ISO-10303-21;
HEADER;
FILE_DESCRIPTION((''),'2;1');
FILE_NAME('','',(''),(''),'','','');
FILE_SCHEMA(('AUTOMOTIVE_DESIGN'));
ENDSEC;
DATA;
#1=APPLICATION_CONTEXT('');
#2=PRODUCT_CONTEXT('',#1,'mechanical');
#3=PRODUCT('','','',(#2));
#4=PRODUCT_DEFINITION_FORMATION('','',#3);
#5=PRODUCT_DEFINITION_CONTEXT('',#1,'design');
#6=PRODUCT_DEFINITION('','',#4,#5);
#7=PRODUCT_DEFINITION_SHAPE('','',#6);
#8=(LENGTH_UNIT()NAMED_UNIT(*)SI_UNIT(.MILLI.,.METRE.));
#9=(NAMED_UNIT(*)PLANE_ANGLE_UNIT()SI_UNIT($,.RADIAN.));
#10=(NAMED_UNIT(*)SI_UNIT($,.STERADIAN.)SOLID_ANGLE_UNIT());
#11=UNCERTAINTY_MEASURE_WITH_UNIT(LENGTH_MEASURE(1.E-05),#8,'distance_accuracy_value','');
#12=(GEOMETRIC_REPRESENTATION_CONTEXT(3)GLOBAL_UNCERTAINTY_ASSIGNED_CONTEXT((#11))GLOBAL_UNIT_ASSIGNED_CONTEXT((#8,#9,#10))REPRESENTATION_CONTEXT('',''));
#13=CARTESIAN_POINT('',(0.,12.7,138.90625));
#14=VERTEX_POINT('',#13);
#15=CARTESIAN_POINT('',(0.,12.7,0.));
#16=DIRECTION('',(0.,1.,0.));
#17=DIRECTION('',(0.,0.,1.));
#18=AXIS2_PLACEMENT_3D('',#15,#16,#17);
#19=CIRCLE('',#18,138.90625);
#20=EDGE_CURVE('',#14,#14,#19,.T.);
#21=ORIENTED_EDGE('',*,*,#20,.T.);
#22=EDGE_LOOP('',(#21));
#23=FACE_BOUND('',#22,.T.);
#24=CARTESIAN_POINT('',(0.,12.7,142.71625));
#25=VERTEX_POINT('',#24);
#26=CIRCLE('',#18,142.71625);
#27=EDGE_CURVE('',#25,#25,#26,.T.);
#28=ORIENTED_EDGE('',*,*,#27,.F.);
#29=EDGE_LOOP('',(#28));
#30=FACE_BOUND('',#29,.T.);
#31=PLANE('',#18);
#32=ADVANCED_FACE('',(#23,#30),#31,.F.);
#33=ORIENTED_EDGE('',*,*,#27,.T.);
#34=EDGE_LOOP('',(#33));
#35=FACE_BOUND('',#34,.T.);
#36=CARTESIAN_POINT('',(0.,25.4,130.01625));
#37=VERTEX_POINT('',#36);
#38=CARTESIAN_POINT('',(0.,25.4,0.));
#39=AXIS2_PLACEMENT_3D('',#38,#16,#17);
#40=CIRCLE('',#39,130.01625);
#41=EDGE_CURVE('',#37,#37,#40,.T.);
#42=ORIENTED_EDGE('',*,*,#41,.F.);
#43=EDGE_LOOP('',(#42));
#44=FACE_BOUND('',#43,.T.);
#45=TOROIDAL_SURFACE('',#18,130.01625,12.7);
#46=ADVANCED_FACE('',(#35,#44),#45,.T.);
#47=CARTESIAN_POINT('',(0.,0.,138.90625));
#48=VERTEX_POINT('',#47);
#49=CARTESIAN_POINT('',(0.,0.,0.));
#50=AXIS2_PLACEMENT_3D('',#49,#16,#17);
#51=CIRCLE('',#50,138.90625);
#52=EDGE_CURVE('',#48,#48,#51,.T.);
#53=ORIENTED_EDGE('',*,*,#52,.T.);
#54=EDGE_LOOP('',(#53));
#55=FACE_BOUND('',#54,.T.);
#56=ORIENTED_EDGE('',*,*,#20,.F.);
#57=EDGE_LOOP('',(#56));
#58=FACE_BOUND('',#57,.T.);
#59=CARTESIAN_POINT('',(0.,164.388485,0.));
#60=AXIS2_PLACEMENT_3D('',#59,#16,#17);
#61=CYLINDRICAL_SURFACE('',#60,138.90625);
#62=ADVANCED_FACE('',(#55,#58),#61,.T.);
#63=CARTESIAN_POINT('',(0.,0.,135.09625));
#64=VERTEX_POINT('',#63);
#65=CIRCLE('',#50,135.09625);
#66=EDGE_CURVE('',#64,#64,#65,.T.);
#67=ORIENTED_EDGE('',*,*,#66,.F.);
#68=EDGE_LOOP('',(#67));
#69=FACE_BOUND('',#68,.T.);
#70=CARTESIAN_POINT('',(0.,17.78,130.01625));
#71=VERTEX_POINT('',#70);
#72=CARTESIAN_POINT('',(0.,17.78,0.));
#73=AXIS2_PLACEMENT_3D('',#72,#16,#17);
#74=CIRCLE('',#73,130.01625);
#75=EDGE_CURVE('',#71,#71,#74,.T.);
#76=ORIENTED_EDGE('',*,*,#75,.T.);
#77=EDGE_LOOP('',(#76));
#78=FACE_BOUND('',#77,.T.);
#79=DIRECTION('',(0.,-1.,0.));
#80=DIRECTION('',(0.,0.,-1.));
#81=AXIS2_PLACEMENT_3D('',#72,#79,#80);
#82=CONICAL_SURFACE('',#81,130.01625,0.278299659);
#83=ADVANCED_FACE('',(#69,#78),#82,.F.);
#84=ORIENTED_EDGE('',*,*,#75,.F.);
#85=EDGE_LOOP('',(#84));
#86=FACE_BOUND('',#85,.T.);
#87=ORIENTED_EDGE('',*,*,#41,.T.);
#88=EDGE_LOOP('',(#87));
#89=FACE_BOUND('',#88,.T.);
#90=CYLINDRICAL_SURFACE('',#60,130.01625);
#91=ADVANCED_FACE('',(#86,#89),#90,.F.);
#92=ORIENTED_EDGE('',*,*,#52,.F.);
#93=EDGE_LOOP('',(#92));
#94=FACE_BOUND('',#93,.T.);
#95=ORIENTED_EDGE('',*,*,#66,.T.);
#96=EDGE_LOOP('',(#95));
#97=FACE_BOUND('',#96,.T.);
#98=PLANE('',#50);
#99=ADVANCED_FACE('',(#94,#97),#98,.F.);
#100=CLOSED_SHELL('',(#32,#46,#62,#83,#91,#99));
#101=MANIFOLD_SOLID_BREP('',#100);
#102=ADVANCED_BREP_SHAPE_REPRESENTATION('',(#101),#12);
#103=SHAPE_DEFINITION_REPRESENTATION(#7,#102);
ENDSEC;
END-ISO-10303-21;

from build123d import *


with BuildPart() as part:
    # Sketch1 → Revolve1 (revolve)
    with BuildSketch(Plane.XY, mode=Mode.PRIVATE) as revolve1_sk:
        with BuildLine():
            Line((135.09625, 0), (138.90625, 0))
            Line((138.90625, 0), (138.90625, 12.7))
            Line((138.90625, 12.7), (142.71625, 12.7))
            ThreePointArc((142.71625, 12.7), (138.996506121, 21.680256121), (130.01625, 25.4))
            Line((130.01625, 25.4), (130.01625, 17.78))
            Line((130.01625, 17.78), (135.09625, 0))
        make_face()
    revolve(revolve1_sk.sketch.rotate(Axis((0, 164.38848484, 0), (0, -1, 0)), 90), axis=Axis((0, 164.38848484, 0), (0, -1, 0)))


solid = part.part
